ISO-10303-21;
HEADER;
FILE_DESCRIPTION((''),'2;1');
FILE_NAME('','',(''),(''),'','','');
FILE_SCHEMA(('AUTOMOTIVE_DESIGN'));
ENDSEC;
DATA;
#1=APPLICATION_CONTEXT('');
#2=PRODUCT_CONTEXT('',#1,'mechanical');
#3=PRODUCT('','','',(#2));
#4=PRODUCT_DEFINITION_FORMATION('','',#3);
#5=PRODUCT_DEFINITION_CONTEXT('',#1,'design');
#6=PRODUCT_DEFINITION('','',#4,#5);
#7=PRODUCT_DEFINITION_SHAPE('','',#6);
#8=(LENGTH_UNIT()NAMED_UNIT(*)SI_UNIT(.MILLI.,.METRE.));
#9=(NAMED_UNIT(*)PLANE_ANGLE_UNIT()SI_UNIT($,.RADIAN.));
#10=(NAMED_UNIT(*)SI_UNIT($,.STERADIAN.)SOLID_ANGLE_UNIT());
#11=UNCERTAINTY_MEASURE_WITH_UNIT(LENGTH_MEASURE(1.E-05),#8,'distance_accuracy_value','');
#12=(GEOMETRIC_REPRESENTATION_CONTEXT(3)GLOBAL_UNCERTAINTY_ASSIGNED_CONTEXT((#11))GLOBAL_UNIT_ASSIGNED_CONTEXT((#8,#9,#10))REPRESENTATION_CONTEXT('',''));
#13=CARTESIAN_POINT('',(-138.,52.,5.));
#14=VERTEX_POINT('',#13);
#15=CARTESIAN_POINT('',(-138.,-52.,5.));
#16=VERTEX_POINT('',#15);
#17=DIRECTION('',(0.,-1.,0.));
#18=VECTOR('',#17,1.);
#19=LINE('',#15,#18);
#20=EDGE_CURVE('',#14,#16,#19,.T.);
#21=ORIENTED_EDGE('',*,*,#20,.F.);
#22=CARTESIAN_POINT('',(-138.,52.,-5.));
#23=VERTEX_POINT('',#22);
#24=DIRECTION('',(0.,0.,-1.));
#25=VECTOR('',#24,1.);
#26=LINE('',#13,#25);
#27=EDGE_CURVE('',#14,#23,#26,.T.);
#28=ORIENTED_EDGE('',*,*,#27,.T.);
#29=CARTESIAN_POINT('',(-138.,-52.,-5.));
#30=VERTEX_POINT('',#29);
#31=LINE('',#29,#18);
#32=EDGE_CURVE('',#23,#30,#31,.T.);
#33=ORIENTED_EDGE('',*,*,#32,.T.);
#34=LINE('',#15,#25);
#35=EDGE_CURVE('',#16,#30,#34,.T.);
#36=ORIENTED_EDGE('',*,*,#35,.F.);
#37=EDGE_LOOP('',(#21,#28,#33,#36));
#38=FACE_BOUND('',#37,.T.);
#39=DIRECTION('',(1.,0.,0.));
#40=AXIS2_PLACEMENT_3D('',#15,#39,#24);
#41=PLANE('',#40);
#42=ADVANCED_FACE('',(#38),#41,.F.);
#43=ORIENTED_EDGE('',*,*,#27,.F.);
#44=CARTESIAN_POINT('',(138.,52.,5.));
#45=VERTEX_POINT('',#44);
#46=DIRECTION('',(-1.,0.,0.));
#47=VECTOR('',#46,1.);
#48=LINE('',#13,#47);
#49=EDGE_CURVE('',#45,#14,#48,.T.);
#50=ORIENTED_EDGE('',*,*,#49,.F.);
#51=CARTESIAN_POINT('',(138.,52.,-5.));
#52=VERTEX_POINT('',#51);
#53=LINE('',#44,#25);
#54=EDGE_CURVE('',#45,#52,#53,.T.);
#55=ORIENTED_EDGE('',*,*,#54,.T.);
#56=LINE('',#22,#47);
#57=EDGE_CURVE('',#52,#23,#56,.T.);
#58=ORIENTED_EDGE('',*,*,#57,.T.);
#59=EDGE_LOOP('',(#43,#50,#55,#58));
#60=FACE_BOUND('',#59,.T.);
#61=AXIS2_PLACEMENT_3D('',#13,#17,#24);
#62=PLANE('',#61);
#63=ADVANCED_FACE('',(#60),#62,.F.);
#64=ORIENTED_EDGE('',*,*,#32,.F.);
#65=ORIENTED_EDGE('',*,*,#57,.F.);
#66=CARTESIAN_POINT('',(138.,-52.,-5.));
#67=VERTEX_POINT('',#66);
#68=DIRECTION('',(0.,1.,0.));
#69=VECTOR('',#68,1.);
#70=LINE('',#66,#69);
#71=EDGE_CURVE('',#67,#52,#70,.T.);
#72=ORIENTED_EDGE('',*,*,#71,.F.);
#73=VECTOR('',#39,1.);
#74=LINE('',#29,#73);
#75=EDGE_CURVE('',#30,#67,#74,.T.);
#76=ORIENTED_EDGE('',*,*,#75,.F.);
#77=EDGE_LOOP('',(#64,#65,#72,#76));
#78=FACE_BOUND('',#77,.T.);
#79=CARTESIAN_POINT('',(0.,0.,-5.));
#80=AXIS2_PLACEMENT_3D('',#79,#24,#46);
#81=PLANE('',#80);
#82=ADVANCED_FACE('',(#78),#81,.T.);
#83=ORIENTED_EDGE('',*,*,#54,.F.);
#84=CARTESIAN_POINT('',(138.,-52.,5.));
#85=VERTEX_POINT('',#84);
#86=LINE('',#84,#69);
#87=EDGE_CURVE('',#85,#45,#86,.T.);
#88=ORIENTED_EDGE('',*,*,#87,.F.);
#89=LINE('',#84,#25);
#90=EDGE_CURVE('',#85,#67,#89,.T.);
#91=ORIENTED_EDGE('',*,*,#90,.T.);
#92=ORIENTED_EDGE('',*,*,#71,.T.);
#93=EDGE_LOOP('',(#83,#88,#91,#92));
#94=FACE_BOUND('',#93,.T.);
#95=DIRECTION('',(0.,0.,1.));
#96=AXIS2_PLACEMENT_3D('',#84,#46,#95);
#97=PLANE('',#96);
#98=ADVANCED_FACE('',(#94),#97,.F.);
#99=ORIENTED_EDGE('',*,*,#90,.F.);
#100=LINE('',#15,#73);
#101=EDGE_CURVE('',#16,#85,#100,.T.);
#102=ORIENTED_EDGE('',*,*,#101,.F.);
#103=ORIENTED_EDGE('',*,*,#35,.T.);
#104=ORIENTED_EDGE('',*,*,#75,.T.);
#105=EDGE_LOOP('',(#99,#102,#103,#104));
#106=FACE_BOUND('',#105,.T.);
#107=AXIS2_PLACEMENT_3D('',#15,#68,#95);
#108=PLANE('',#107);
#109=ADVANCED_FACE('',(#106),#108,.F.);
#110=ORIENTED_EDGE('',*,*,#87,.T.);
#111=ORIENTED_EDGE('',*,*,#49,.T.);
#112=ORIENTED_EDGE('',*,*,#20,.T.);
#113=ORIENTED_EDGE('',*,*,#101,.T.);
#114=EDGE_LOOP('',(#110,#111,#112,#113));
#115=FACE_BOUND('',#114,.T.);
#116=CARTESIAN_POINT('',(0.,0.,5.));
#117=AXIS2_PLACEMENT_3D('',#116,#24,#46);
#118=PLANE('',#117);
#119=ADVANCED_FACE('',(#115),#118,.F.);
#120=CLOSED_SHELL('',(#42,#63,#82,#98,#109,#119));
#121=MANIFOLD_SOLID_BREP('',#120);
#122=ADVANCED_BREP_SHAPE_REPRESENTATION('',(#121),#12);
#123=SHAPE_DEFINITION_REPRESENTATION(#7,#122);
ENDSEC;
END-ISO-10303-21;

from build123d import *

# Parameters (mm, degrees)
SKETCH_1_W      = 276
SKETCH_1_H      = 104
EXTRUDE_1_DEPTH = 5


with BuildPart() as part:
    # Эскиз1 → Бобышка-Вытянуть1 (new, symmetric)
    with BuildSketch(Plane.XY):
        Rectangle(SKETCH_1_W, SKETCH_1_H)
    extrude(amount=EXTRUDE_1_DEPTH, both=True)


solid = part.part
